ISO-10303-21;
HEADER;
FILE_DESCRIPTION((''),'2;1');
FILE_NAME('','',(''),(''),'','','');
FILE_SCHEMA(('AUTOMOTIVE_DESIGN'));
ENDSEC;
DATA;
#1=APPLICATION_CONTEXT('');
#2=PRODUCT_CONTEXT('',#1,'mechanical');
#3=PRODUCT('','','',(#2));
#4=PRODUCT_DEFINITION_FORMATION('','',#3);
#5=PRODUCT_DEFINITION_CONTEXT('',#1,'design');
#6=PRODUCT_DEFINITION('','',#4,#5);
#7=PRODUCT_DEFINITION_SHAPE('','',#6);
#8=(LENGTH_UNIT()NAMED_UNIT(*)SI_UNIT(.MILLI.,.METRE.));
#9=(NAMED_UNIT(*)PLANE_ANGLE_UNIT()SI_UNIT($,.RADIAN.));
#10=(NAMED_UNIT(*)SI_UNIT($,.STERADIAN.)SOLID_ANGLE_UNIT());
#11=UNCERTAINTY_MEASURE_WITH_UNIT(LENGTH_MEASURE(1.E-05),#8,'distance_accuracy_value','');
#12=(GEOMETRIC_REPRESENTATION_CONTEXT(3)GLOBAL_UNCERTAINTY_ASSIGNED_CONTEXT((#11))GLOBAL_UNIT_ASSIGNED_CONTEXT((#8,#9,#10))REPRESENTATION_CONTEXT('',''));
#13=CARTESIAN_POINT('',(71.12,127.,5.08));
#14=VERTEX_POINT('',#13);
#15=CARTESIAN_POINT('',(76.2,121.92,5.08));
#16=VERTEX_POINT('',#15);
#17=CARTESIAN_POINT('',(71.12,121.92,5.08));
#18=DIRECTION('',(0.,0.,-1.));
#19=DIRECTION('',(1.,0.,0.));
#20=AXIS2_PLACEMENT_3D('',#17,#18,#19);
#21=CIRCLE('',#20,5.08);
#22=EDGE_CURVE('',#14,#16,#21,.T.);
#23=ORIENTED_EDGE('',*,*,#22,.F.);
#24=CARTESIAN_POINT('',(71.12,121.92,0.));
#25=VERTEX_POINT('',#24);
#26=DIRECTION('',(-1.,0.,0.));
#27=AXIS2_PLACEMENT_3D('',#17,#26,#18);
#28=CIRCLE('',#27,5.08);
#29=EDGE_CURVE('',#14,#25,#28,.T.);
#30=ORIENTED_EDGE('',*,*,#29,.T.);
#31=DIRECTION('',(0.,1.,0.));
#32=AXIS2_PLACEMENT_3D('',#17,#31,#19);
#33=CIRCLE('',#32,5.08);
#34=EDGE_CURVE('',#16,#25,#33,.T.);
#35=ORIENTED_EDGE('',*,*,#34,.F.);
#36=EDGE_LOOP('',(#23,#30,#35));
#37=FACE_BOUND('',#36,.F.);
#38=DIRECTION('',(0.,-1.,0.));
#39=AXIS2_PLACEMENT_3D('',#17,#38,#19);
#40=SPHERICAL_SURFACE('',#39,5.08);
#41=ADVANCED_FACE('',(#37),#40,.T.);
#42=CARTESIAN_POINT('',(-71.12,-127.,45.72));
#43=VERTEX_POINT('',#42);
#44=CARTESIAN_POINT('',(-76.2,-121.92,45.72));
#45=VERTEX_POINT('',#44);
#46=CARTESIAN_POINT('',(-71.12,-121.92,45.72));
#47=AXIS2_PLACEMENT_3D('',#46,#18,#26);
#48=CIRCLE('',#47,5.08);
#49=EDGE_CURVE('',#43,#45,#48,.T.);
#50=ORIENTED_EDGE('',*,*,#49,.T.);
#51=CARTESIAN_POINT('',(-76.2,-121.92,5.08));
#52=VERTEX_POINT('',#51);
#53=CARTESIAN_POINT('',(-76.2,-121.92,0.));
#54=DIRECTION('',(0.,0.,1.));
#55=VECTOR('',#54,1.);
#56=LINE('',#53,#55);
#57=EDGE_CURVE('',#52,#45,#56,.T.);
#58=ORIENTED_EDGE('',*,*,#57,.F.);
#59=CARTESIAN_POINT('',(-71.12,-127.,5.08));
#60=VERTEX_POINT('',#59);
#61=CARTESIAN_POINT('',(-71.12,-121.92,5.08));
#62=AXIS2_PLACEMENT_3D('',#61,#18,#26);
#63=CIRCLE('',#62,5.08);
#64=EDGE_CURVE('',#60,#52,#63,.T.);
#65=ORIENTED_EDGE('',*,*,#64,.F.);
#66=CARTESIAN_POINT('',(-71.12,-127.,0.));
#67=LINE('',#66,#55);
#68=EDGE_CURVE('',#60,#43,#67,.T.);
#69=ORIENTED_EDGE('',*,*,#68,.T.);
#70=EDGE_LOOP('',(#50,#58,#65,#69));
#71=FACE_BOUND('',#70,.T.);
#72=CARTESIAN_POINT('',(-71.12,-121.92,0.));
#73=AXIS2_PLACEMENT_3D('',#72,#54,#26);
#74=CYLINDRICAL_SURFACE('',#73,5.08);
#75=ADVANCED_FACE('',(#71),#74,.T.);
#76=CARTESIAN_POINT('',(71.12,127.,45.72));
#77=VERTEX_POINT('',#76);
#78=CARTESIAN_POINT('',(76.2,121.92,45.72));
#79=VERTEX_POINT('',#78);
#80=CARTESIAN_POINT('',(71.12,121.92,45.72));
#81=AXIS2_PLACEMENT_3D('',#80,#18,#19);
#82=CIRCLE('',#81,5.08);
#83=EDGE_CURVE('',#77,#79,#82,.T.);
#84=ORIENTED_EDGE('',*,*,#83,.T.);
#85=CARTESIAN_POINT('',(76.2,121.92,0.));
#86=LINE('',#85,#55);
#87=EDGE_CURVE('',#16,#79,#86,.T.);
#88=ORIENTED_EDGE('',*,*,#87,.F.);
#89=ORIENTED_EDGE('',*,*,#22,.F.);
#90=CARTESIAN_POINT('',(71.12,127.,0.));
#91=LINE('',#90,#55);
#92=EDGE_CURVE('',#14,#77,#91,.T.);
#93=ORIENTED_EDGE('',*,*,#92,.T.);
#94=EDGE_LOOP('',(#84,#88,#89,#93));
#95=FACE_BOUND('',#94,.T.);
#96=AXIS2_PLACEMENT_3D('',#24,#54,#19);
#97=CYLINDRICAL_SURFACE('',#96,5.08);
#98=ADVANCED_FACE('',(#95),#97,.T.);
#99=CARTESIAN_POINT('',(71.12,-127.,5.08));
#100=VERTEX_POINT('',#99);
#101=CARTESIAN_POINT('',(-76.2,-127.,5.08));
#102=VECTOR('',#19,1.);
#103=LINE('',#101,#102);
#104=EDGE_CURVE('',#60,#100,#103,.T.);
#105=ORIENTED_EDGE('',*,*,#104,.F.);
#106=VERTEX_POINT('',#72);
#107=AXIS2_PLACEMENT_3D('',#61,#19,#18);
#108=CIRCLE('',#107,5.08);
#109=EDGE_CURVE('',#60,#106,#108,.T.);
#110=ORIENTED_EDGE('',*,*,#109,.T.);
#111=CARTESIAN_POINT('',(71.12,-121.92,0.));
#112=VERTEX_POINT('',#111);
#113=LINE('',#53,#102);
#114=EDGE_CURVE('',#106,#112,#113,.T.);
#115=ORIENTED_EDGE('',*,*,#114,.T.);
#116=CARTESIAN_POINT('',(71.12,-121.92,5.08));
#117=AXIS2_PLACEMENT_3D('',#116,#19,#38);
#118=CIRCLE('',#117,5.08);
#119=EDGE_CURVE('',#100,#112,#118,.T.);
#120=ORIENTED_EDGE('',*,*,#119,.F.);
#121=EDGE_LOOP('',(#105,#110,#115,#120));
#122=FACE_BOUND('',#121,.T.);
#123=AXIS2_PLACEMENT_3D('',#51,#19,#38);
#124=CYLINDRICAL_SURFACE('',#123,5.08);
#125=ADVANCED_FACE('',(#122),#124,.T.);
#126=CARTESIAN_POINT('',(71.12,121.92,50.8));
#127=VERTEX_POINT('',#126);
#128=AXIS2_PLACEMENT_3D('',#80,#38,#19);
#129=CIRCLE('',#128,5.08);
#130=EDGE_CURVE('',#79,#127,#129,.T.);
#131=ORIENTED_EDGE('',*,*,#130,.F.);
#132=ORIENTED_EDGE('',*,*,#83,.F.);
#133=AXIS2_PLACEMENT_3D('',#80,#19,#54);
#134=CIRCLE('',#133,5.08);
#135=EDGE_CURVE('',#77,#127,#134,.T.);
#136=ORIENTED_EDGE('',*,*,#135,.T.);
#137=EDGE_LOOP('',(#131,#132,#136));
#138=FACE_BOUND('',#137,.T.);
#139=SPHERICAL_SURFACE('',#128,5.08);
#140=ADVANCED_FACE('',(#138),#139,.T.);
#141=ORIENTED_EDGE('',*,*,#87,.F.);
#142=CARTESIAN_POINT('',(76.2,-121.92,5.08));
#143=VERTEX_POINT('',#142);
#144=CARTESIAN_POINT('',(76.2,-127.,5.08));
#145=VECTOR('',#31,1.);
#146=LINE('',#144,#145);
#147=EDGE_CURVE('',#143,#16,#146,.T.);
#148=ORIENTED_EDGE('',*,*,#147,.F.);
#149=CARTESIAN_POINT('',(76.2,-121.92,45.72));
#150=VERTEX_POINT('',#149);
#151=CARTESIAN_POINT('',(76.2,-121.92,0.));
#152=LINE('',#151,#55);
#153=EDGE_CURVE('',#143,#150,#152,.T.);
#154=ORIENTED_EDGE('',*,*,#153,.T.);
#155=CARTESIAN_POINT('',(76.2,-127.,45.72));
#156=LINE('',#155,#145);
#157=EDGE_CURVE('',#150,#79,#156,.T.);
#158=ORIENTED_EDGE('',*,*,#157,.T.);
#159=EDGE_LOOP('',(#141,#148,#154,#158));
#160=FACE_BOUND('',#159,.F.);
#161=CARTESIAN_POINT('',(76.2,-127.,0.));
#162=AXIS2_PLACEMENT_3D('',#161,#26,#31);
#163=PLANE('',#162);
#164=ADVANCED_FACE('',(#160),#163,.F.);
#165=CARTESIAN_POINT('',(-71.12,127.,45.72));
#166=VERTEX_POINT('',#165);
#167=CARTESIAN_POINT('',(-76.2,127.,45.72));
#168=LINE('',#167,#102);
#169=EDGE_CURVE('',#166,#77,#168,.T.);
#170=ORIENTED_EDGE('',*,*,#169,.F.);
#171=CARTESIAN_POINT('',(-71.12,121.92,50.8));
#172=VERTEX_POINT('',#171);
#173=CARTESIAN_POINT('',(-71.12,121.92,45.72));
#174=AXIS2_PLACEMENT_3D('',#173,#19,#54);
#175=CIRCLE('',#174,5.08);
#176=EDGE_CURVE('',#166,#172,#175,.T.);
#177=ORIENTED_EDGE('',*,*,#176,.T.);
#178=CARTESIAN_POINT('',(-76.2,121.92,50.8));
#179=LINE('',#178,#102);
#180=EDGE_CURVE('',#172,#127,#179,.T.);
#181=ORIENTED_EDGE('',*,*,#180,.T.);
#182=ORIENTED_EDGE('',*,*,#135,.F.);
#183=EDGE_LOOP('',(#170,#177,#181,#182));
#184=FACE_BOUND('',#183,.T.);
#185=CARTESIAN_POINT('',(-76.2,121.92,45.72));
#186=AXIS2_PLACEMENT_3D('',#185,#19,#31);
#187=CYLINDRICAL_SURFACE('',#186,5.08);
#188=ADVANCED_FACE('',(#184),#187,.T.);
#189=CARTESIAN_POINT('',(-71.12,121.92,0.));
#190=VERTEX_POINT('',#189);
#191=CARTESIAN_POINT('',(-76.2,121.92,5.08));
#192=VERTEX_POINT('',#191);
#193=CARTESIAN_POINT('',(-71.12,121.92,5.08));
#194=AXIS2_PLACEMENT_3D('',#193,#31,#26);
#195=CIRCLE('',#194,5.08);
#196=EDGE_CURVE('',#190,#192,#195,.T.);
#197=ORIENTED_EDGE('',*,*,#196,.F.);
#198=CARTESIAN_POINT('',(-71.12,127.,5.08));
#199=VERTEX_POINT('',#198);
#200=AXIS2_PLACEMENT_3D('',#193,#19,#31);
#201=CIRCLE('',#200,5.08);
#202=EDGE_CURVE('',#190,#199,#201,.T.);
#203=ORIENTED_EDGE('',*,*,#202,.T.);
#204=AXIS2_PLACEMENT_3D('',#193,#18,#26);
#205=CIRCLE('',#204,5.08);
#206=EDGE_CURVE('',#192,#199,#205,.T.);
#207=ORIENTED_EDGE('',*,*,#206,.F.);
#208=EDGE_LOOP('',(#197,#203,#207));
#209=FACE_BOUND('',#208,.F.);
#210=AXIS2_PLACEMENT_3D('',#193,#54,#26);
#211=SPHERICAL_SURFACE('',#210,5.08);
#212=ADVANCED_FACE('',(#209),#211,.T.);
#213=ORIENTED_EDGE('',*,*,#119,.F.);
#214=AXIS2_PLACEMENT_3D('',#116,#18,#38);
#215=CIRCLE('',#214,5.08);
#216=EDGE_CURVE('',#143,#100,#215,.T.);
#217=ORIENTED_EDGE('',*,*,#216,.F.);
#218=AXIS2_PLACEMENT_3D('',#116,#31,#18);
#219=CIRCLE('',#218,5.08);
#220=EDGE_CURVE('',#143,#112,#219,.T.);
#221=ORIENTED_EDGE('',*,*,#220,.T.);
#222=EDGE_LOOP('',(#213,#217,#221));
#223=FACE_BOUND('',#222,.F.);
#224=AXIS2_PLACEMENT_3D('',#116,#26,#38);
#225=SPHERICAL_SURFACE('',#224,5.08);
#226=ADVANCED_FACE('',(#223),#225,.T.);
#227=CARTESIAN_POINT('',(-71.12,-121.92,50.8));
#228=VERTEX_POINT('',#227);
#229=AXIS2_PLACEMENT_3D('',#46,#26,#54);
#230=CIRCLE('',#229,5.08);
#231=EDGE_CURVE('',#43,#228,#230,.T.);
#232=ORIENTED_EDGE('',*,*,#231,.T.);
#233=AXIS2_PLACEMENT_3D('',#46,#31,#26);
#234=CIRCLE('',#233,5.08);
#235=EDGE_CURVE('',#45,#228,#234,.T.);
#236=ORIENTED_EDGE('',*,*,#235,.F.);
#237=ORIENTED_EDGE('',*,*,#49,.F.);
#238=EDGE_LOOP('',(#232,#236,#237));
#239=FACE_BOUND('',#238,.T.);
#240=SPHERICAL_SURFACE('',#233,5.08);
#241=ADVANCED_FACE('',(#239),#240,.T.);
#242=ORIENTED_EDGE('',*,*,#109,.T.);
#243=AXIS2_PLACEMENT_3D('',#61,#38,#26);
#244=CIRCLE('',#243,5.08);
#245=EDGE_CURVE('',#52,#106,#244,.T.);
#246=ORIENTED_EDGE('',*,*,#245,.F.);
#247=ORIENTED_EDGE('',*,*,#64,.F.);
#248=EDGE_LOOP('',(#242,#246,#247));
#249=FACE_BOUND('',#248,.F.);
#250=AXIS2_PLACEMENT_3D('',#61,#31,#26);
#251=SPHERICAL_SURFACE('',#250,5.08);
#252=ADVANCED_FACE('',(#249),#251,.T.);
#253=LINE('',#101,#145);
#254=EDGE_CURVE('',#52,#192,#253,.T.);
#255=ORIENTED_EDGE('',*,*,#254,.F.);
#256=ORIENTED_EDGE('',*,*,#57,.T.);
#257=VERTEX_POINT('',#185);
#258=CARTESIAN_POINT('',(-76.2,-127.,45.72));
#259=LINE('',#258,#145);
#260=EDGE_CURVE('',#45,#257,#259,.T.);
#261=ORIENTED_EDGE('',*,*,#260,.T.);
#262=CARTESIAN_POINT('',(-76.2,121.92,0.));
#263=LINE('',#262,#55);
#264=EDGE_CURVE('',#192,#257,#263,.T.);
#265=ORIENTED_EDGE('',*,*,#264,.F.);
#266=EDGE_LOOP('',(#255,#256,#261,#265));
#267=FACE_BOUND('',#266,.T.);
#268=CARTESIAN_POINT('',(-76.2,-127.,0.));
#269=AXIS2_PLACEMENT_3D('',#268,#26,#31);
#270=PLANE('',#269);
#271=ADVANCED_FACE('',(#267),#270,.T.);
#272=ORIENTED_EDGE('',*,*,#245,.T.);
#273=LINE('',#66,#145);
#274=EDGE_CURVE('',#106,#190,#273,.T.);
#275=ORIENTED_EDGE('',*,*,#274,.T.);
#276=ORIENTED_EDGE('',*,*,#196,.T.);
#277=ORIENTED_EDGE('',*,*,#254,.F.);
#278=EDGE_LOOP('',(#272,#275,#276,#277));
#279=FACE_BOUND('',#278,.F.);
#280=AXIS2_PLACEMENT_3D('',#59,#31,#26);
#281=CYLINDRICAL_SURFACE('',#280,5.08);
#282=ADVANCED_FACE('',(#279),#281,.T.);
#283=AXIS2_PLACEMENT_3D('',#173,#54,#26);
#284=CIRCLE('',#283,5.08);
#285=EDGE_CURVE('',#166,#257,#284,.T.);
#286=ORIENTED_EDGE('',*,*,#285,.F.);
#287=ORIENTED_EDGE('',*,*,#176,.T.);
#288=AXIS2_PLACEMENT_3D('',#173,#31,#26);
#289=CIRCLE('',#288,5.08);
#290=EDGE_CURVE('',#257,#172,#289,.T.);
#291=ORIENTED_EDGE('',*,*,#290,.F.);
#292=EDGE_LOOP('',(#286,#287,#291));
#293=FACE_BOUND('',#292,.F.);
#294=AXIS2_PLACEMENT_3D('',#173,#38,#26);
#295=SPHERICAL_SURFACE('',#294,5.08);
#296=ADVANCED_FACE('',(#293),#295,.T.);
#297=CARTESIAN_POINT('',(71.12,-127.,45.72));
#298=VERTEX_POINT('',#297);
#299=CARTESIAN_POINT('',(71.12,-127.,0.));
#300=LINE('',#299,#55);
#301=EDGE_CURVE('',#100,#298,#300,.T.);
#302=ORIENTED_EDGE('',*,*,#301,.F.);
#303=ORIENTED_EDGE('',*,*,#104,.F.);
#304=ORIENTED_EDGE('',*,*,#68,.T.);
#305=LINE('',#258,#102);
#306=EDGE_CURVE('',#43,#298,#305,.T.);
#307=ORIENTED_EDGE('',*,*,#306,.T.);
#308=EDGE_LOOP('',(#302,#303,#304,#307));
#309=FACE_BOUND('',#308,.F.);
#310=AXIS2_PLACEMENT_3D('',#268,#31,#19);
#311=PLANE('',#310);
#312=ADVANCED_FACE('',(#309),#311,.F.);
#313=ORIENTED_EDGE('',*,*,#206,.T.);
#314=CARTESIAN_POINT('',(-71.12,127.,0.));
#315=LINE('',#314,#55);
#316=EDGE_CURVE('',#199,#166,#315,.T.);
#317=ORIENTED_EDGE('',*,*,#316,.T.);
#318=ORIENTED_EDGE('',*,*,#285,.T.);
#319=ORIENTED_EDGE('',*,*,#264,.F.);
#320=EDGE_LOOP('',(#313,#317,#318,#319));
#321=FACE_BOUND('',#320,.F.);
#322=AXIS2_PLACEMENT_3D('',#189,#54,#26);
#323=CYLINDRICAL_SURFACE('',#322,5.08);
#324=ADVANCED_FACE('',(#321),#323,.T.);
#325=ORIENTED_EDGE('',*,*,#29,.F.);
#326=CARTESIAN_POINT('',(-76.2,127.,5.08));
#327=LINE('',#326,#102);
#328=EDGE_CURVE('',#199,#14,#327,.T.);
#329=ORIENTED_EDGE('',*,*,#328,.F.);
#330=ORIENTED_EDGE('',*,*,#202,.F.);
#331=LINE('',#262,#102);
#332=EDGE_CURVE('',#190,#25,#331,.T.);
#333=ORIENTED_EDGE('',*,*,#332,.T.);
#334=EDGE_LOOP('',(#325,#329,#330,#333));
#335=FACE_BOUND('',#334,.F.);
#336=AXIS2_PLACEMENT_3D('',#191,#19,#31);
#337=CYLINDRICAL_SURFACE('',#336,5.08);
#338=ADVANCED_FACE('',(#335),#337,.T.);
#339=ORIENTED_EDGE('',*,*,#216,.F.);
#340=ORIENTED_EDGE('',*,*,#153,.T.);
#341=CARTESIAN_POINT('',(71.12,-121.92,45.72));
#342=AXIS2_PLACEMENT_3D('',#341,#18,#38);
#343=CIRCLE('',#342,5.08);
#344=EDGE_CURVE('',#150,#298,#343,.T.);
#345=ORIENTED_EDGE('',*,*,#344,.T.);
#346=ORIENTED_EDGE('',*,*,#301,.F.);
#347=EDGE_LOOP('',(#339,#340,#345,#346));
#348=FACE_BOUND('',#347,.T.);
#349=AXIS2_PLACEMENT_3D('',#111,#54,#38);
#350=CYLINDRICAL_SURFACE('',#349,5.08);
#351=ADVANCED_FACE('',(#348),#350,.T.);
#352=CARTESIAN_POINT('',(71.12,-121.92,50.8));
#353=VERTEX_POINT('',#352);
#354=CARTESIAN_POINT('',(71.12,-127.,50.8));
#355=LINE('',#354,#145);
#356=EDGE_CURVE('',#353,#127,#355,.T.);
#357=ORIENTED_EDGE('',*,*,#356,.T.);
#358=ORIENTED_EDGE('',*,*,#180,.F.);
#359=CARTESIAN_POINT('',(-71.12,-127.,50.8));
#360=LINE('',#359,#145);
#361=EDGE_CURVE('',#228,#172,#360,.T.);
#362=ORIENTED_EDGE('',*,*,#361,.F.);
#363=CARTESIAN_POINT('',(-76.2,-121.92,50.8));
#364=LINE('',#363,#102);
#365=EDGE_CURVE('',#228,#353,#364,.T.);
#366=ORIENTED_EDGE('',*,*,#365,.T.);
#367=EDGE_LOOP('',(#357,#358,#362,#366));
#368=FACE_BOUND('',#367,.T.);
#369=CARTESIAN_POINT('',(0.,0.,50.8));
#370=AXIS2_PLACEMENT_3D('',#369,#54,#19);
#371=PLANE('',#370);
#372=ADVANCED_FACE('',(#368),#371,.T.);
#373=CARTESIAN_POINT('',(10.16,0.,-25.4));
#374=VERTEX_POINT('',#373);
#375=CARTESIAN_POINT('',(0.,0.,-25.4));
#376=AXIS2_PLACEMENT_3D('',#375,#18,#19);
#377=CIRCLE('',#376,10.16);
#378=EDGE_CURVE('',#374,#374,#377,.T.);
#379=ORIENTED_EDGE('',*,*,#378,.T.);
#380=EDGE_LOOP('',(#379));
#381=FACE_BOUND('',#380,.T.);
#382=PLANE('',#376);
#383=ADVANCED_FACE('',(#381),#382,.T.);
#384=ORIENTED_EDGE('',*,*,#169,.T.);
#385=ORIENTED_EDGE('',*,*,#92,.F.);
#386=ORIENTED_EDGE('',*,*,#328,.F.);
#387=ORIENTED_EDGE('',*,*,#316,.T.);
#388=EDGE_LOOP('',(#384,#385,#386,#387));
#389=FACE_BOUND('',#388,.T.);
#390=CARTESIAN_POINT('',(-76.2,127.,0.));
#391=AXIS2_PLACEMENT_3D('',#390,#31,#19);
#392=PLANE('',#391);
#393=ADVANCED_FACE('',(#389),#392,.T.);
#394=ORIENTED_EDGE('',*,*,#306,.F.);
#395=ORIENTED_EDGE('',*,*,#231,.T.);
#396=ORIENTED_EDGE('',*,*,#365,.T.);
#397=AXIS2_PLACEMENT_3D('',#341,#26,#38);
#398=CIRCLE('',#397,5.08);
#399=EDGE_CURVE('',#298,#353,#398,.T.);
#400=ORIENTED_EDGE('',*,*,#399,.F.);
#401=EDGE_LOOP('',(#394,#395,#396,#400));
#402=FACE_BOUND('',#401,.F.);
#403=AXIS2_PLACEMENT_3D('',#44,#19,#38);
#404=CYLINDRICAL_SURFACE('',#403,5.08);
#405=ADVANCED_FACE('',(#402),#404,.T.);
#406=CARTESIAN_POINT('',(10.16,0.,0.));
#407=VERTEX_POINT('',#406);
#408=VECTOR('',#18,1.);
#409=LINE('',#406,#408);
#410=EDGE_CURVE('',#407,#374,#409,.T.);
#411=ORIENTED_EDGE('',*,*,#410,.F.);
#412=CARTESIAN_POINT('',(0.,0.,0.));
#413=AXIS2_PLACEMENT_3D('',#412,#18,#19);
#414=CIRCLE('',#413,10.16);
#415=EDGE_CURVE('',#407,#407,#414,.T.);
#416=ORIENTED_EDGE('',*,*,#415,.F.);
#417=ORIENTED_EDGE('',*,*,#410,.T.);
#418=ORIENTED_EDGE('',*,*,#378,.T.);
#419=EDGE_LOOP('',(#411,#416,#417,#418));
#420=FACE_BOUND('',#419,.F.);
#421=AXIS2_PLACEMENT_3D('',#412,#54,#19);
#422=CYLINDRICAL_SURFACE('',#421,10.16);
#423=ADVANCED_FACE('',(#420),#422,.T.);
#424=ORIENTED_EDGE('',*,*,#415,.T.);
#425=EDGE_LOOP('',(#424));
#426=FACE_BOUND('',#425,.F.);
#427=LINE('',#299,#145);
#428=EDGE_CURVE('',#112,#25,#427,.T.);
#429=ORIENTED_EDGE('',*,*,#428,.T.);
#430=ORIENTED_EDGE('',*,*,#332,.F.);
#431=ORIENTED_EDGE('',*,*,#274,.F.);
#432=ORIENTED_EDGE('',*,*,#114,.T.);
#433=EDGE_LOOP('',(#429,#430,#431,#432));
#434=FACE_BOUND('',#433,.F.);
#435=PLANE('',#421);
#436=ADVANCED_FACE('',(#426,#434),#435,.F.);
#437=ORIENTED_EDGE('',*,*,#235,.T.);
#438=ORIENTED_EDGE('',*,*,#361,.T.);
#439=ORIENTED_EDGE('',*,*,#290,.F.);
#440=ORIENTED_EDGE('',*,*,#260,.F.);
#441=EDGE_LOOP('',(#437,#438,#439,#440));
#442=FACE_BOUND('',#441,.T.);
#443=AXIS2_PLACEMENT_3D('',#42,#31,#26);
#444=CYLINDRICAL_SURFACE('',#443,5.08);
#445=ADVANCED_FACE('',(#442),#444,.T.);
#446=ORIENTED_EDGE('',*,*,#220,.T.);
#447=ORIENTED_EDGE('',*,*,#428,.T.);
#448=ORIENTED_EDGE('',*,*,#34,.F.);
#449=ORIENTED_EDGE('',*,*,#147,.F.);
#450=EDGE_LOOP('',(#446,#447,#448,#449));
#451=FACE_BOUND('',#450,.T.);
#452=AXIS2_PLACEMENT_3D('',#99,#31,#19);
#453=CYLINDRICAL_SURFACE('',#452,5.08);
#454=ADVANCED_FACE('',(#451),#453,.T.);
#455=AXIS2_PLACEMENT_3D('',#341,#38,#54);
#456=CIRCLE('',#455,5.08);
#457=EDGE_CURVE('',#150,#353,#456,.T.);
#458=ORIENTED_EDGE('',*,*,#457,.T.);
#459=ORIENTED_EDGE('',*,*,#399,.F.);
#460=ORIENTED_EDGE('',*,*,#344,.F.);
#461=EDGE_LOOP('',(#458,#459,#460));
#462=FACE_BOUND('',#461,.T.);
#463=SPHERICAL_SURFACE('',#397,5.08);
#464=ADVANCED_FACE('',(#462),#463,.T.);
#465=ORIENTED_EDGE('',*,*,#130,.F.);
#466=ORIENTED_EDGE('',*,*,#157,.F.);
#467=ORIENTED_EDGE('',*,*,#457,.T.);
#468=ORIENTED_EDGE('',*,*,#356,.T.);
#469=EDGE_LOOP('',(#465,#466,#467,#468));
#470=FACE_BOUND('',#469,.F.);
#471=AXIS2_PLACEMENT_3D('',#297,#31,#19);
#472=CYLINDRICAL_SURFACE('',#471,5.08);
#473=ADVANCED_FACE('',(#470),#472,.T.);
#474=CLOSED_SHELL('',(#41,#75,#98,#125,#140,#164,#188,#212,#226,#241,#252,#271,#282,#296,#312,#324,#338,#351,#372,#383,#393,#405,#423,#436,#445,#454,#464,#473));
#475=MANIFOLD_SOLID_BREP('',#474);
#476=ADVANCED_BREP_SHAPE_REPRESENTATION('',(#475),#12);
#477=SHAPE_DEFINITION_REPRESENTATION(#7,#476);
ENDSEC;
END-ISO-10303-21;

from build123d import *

# Parameters (mm, degrees)
F0_W     = 152.4
F0_H     = 254
F1_DEPTH = 50.8
F2_R     = 5.08
F3_R     = 10.16
F4_DEPTH = 25.4


with BuildPart() as f1:
    # F0 (on Top) → F1 (new body)
    with BuildSketch(Plane.XY):
        Rectangle(F0_W, F0_H)
    extrude(amount=F1_DEPTH)

    # F2
    f2_edges = [f1.edges().sort_by_distance(p)[0] for p in [
        (-76.2, 0, 50.8),
        (-76.2, 127, 25.4),
        (-76.2, 0, 0),
        (-76.2, -127, 25.4),
        (0, -127, 50.8),
        (0, -127, 0),
        (76.2, -127, 25.4),
        (76.2, 0, 50.8),
        (76.2, 0, 0),
        (76.2, 127, 25.4),
        (0, 127, 0),
        (0, 127, 50.8),
    ]]
    fillet(f2_edges, radius=F2_R)

    # F3 (on face) → F4 (join)
    with BuildSketch(Plane(origin=(0, 0, 0), x_dir=(1, 0, 0), z_dir=(0, 0, -1))):
        Circle(F3_R)
    extrude(amount=F4_DEPTH)


solid = f1.part
